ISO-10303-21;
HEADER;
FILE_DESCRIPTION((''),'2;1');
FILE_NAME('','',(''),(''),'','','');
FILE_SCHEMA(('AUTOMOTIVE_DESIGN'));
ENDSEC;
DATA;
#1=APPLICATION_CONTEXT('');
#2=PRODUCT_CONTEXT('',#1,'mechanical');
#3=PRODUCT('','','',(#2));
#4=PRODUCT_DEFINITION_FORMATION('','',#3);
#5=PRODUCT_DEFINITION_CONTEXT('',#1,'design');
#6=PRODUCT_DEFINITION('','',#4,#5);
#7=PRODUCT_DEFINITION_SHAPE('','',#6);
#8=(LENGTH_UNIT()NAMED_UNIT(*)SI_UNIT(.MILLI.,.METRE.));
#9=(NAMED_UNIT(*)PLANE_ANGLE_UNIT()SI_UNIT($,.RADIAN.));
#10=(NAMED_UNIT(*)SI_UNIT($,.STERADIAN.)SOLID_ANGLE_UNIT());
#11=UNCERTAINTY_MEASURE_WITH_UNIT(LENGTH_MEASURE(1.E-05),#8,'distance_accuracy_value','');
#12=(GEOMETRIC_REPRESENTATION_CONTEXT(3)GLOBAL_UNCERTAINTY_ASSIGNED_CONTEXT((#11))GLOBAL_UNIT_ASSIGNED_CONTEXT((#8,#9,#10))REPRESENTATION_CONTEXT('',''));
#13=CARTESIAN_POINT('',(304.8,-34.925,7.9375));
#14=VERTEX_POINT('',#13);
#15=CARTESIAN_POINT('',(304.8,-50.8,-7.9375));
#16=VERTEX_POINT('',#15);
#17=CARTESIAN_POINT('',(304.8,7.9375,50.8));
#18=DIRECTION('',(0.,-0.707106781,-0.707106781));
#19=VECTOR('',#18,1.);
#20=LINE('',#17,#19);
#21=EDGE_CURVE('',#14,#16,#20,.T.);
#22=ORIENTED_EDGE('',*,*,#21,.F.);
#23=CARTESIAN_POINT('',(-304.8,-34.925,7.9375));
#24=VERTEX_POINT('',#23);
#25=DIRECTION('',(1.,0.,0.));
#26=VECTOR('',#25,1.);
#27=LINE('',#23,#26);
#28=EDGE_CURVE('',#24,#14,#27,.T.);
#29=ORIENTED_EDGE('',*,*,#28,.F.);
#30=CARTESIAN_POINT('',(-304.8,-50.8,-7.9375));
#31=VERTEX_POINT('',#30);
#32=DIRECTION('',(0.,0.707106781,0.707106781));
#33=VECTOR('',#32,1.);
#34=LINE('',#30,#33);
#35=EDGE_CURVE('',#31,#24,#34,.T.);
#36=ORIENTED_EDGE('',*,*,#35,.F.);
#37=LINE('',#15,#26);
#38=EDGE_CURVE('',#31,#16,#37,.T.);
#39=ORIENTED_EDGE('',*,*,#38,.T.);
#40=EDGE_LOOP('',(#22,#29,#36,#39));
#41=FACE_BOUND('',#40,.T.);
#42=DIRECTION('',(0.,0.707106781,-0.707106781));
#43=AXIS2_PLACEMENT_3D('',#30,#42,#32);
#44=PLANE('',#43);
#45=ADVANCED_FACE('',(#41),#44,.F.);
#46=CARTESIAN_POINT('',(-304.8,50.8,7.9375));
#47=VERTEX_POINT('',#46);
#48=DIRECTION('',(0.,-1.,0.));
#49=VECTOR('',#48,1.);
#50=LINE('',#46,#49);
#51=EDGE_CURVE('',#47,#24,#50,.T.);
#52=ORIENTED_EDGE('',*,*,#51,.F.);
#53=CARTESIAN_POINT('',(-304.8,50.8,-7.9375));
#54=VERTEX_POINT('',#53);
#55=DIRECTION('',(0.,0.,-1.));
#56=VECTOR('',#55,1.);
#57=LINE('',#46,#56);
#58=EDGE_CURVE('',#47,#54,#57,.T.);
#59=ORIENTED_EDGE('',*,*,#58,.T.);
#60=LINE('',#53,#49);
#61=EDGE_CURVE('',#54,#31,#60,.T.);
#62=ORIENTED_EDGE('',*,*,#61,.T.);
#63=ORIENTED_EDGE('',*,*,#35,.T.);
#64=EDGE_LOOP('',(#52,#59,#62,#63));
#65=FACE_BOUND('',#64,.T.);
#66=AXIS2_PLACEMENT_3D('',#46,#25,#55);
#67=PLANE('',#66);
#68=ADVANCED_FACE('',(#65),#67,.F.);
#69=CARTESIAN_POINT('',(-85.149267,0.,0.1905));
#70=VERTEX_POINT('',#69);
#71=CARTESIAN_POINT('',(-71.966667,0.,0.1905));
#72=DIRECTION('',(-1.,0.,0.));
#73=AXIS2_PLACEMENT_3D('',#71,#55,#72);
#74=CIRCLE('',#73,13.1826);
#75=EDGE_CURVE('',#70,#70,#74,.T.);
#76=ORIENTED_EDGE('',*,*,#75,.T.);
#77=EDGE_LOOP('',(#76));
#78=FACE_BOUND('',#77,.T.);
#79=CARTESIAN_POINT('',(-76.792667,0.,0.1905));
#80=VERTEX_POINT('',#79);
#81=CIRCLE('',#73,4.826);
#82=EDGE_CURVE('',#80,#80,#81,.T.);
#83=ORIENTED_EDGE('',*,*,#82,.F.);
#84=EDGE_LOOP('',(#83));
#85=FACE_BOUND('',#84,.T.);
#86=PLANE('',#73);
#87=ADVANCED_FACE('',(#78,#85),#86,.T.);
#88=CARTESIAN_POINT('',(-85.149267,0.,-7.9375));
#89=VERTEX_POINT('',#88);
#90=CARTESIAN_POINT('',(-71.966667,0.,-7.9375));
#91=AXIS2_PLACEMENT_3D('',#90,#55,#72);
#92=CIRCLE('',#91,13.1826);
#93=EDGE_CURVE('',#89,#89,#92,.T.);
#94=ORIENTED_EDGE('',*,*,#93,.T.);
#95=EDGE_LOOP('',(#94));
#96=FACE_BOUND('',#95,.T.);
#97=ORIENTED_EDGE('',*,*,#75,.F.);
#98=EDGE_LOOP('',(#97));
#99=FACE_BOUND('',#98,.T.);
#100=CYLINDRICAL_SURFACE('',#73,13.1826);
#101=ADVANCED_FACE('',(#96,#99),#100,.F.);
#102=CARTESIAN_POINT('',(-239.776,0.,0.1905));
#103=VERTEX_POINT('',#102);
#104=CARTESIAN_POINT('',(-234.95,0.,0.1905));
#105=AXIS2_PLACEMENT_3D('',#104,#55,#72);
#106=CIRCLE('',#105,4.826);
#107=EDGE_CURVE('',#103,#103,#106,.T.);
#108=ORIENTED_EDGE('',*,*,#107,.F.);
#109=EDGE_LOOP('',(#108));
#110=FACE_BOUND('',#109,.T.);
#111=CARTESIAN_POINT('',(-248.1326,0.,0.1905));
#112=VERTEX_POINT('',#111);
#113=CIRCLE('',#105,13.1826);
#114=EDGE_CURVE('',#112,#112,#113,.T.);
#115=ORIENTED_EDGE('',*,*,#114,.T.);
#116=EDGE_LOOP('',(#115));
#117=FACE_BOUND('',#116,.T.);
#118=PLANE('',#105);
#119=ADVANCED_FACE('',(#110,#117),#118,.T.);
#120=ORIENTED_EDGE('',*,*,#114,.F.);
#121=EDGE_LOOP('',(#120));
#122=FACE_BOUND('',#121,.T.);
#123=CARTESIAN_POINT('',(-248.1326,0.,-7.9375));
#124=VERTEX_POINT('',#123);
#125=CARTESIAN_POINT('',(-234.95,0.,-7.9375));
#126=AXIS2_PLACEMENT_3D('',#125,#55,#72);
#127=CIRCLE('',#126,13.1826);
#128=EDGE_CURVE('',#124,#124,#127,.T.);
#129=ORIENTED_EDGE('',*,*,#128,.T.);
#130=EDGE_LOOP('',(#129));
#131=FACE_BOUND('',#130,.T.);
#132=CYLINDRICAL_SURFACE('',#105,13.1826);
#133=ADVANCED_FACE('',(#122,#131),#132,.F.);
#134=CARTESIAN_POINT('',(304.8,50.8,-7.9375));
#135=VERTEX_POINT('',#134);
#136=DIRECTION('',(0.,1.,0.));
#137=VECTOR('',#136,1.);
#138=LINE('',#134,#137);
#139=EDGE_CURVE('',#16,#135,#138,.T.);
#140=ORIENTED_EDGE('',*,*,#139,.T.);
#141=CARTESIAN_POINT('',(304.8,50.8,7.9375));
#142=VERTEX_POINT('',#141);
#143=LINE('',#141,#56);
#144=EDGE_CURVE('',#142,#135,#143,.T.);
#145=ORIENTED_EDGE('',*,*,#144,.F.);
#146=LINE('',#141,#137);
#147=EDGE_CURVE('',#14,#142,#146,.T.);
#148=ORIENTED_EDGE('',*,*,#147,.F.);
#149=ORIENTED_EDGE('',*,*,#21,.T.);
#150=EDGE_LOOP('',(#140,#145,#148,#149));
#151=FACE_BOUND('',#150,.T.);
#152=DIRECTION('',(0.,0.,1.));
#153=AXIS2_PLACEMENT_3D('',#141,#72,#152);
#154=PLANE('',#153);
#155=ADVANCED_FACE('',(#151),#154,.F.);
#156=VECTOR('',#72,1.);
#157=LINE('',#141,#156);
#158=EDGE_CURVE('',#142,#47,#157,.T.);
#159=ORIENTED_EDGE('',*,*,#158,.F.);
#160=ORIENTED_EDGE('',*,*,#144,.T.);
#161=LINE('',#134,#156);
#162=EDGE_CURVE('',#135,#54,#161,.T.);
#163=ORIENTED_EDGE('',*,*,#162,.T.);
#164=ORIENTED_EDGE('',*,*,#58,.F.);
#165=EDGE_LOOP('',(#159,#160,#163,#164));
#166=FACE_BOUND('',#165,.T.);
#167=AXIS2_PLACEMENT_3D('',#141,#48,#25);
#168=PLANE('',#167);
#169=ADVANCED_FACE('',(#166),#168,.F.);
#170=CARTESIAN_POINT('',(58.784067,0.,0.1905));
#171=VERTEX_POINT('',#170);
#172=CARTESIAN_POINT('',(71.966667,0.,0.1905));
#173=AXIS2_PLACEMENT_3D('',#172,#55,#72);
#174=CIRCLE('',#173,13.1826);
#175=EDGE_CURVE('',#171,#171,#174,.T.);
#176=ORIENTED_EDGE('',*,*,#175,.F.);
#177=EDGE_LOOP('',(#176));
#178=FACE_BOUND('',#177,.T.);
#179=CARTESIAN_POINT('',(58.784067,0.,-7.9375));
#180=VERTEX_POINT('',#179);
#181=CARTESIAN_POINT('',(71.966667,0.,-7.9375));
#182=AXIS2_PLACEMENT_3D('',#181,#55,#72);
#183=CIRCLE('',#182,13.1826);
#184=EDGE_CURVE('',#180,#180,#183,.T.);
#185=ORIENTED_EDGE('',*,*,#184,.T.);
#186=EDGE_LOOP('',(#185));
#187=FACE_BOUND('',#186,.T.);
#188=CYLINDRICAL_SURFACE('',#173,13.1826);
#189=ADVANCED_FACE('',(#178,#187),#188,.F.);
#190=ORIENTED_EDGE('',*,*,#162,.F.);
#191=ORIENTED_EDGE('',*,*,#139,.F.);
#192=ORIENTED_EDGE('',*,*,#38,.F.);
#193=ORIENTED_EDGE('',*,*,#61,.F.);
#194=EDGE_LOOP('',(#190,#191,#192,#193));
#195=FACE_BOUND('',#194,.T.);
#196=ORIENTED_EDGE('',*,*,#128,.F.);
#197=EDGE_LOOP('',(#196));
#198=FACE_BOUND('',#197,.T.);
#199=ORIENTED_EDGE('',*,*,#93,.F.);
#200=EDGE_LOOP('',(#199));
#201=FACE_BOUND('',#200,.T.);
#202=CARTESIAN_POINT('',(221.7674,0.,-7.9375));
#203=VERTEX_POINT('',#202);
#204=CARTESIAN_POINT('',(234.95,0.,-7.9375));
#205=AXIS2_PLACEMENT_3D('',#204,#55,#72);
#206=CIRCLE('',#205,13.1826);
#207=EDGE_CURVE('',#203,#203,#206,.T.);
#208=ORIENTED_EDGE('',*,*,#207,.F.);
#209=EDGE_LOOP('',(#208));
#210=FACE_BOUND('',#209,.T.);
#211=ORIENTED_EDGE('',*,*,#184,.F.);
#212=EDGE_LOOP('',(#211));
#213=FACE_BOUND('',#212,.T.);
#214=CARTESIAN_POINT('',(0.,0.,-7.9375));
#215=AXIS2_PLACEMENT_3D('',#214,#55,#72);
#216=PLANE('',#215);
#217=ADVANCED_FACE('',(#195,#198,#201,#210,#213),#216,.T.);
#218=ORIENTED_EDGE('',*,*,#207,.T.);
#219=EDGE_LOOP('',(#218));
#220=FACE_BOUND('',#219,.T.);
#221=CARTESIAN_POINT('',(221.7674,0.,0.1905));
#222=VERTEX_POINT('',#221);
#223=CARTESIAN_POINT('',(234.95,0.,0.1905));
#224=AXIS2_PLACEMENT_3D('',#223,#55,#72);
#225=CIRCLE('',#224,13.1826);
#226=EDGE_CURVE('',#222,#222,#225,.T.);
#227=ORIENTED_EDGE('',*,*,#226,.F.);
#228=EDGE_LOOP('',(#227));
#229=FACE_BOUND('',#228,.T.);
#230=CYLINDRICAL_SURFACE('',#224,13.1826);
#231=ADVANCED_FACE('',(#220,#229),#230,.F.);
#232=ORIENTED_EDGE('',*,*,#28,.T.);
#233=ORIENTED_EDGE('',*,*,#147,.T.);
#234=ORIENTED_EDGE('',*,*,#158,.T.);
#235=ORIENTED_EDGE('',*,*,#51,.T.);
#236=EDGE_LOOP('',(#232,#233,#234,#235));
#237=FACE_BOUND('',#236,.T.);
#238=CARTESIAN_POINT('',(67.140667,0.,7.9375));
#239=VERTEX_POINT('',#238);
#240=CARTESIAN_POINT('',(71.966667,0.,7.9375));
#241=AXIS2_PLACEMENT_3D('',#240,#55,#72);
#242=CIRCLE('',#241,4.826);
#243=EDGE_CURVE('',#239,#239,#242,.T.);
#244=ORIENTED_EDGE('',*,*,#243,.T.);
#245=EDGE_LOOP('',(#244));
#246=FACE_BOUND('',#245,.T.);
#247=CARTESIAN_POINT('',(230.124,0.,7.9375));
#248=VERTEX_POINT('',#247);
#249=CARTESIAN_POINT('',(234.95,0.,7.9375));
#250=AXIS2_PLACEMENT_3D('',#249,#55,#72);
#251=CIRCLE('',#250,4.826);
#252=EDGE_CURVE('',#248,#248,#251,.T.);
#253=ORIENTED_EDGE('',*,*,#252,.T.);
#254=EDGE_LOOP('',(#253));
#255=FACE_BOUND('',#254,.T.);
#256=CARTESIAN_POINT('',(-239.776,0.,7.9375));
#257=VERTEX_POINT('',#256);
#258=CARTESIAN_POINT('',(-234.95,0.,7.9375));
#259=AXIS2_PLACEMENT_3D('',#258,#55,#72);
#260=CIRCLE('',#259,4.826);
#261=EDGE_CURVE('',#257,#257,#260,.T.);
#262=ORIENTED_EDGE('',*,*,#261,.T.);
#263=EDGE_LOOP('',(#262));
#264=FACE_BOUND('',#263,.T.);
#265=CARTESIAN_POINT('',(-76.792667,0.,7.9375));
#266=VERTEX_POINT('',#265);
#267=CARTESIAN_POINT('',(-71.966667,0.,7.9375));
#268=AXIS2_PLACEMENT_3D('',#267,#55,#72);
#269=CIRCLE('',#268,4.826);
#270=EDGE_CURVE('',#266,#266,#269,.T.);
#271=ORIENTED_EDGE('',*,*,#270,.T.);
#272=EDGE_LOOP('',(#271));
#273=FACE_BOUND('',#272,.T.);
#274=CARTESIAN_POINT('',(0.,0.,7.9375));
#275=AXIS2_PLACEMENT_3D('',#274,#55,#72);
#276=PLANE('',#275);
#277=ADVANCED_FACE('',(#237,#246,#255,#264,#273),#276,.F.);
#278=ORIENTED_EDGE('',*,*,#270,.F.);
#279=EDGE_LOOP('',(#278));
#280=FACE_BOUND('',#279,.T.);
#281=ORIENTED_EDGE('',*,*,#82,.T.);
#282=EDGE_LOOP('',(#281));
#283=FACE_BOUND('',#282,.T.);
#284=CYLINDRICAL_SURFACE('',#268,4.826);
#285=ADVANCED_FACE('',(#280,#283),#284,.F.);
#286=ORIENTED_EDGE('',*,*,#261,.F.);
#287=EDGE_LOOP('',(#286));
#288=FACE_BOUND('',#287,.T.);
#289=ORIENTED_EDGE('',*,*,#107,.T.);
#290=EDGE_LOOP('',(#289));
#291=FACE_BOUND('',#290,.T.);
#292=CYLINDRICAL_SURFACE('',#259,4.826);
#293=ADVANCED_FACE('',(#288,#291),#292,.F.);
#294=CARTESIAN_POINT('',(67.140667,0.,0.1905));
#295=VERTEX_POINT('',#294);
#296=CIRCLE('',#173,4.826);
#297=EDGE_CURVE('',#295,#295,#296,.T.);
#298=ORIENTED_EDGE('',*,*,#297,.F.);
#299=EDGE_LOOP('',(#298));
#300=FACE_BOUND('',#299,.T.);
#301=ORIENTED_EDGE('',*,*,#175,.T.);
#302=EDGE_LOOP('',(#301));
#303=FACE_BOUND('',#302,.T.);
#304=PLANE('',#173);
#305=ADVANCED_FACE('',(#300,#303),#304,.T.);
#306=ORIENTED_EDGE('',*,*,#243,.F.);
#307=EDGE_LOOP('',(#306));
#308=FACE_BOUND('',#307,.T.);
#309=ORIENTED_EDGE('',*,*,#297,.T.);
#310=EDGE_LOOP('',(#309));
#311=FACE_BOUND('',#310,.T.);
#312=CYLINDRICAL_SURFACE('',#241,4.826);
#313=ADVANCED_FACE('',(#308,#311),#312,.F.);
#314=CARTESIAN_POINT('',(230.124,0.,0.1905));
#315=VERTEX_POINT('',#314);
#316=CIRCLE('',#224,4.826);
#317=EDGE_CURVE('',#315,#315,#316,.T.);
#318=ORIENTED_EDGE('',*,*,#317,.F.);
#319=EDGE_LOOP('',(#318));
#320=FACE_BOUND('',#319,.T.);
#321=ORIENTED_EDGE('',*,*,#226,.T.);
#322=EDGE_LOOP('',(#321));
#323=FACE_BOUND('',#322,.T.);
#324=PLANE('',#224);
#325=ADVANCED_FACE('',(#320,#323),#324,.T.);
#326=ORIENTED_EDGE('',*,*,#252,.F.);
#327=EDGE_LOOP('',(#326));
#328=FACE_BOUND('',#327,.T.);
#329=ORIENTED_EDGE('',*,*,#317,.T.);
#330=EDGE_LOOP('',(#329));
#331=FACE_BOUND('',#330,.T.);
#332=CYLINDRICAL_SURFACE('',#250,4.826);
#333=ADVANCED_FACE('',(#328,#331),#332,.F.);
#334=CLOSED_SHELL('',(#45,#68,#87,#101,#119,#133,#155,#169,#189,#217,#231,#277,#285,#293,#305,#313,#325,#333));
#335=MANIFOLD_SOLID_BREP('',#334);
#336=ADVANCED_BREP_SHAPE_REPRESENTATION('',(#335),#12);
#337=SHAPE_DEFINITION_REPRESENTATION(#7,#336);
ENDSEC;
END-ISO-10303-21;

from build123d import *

# Parameters (mm, degrees)
SKETCH1_W               = 609.6
SKETCH1_H               = 101.6
BOSS_EXTRUDE1_DEPTH     = 7.9375
CUT_EXTRUDE2_DEPTH      = 1
CUT_EXTRUDE2_DEPTH_BACK = 610.6
SKETCH4_R               = 4.826
CUT_EXTRUDE3_DEPTH      = 1
CUT_EXTRUDE3_DEPTH_BACK = 16.875
SKETCH4_3_R             = 13.1826
SKETCH4_3_R_2           = 4.826
CUT_EXTRUDE4_DEPTH      = 8.128


with BuildPart() as part:
    # Sketch1 → Boss-Extrude1 (new body, symmetric)
    with BuildSketch(Plane.XY):
        Rectangle(SKETCH1_W, SKETCH1_H)
    extrude(amount=BOSS_EXTRUDE1_DEPTH, both=True)

    # Sketch3 → Cut-Extrude2 (cut, two sides)
    with BuildSketch(Plane(origin=(304.8, 0, 0), x_dir=(0, 0, -1), z_dir=(1, 0, 0))) as cut_extrude2_sk:
        Polygon((7.9375, -50.8), (-7.9375, -34.925), (-7.9375, -50.8), align=None)
    extrude(amount=CUT_EXTRUDE2_DEPTH, mode=Mode.SUBTRACT)
    extrude(cut_extrude2_sk.sketch, amount=-CUT_EXTRUDE2_DEPTH_BACK, mode=Mode.SUBTRACT)

    # Sketch4 → Cut-Extrude3 (cut, two sides)
    with BuildSketch(Plane(origin=(0, 0, -7.9375), x_dir=(-1, 0, 0), z_dir=(0, 0, -1))) as cut_extrude3_sk:
        with Locations((-234.95, 0)):
            Circle(SKETCH4_R)
        with Locations((-71.966666709, 0)):
            Circle(SKETCH4_R)
        with Locations((71.966666709, 0)):
            Circle(SKETCH4_R)
        with Locations((234.95, 0)):
            Circle(SKETCH4_R)
    extrude(amount=CUT_EXTRUDE3_DEPTH, mode=Mode.SUBTRACT)
    extrude(cut_extrude3_sk.sketch, amount=-CUT_EXTRUDE3_DEPTH_BACK, mode=Mode.SUBTRACT)

    # Sketch4<3> → Cut-Extrude4 (cut)
    with BuildSketch(Plane(origin=(0, 0, -7.9375), x_dir=(-1, 0, 0), z_dir=(0, 0, -1))):
        with Locations((-234.95, 0)):
            Circle(SKETCH4_3_R)
        with Locations((-234.95, 0)):
            Circle(SKETCH4_3_R_2, mode=Mode.SUBTRACT)
        with Locations((-71.966666709, 0)):
            Circle(SKETCH4_3_R)
        with Locations((-71.966666709, 0)):
            Circle(SKETCH4_3_R_2, mode=Mode.SUBTRACT)
        with Locations((234.95, 0)):
            Circle(SKETCH4_3_R)
        with Locations((234.95, 0)):
            Circle(SKETCH4_3_R_2, mode=Mode.SUBTRACT)
        with Locations((71.966666709, 0)):
            Circle(SKETCH4_3_R)
        with Locations((71.966666709, 0)):
            Circle(SKETCH4_3_R_2, mode=Mode.SUBTRACT)
    extrude(amount=-CUT_EXTRUDE4_DEPTH, mode=Mode.SUBTRACT)


solid = part.part
